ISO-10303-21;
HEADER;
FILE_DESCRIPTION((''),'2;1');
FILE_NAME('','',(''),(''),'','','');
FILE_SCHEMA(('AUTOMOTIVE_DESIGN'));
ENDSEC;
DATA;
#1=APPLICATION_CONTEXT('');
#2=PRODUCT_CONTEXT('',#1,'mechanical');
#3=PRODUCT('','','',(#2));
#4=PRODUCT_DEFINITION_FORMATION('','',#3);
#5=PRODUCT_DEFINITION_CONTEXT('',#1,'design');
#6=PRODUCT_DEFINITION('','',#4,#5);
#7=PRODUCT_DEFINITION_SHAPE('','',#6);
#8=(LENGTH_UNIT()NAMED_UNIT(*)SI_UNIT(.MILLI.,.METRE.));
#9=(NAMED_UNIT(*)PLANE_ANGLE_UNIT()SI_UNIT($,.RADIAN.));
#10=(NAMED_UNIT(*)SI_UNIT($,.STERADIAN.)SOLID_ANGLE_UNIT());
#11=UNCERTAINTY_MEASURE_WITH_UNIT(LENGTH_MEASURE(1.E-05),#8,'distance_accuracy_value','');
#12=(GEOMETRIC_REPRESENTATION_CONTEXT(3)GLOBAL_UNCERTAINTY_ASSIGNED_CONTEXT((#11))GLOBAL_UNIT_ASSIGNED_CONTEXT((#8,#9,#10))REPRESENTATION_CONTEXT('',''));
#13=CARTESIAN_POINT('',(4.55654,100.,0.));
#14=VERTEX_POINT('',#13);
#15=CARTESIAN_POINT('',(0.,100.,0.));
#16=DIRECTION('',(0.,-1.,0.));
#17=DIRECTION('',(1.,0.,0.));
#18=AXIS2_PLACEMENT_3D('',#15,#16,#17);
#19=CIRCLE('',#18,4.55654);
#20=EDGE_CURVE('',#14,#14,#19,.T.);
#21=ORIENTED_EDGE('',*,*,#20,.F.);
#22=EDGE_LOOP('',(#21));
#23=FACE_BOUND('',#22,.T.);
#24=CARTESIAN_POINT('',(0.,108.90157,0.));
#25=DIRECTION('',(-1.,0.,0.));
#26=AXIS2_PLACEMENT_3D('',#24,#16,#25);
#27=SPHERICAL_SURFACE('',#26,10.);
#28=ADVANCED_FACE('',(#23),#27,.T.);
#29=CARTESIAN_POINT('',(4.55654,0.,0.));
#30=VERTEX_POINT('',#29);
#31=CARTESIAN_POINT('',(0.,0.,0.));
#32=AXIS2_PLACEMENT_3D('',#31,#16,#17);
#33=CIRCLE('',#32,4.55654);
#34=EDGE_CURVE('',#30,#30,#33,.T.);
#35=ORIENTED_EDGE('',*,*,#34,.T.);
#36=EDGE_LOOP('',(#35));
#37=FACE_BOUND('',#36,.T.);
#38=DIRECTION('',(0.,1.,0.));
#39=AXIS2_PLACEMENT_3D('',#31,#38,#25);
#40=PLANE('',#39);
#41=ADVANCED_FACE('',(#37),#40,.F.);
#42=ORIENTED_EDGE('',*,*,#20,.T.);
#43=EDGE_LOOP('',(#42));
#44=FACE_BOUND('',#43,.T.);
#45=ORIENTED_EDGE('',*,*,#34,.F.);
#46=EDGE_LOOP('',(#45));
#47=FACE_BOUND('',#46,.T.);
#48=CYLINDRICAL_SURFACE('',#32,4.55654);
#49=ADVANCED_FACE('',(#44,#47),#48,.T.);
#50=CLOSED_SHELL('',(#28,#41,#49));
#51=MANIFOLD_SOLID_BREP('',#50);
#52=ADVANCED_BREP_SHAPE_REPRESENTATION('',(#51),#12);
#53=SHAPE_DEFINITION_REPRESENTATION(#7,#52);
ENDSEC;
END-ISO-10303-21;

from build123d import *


with BuildPart() as part:
    # Esquisse1 → Révolution1 (revolve)
    with BuildSketch(Plane.XY, mode=Mode.PRIVATE) as r_volution1_sk:
        with BuildLine():
            Line((0, 0), (-4.556539773, 0))
            Line((-4.556539773, 0), (-4.556539773, 100))
            ThreePointArc((-4.556539773, 100), (-9.721514754, 111.245103669), (0, 118.901569822))
            Line((0, 118.901569822), (0, 0))
        make_face()
    revolve(r_volution1_sk.sketch.rotate(Axis((0, 0, 0), (0, 1, 0)), 180), axis=Axis((0, 0, 0), (0, 1, 0)))


solid = part.part
